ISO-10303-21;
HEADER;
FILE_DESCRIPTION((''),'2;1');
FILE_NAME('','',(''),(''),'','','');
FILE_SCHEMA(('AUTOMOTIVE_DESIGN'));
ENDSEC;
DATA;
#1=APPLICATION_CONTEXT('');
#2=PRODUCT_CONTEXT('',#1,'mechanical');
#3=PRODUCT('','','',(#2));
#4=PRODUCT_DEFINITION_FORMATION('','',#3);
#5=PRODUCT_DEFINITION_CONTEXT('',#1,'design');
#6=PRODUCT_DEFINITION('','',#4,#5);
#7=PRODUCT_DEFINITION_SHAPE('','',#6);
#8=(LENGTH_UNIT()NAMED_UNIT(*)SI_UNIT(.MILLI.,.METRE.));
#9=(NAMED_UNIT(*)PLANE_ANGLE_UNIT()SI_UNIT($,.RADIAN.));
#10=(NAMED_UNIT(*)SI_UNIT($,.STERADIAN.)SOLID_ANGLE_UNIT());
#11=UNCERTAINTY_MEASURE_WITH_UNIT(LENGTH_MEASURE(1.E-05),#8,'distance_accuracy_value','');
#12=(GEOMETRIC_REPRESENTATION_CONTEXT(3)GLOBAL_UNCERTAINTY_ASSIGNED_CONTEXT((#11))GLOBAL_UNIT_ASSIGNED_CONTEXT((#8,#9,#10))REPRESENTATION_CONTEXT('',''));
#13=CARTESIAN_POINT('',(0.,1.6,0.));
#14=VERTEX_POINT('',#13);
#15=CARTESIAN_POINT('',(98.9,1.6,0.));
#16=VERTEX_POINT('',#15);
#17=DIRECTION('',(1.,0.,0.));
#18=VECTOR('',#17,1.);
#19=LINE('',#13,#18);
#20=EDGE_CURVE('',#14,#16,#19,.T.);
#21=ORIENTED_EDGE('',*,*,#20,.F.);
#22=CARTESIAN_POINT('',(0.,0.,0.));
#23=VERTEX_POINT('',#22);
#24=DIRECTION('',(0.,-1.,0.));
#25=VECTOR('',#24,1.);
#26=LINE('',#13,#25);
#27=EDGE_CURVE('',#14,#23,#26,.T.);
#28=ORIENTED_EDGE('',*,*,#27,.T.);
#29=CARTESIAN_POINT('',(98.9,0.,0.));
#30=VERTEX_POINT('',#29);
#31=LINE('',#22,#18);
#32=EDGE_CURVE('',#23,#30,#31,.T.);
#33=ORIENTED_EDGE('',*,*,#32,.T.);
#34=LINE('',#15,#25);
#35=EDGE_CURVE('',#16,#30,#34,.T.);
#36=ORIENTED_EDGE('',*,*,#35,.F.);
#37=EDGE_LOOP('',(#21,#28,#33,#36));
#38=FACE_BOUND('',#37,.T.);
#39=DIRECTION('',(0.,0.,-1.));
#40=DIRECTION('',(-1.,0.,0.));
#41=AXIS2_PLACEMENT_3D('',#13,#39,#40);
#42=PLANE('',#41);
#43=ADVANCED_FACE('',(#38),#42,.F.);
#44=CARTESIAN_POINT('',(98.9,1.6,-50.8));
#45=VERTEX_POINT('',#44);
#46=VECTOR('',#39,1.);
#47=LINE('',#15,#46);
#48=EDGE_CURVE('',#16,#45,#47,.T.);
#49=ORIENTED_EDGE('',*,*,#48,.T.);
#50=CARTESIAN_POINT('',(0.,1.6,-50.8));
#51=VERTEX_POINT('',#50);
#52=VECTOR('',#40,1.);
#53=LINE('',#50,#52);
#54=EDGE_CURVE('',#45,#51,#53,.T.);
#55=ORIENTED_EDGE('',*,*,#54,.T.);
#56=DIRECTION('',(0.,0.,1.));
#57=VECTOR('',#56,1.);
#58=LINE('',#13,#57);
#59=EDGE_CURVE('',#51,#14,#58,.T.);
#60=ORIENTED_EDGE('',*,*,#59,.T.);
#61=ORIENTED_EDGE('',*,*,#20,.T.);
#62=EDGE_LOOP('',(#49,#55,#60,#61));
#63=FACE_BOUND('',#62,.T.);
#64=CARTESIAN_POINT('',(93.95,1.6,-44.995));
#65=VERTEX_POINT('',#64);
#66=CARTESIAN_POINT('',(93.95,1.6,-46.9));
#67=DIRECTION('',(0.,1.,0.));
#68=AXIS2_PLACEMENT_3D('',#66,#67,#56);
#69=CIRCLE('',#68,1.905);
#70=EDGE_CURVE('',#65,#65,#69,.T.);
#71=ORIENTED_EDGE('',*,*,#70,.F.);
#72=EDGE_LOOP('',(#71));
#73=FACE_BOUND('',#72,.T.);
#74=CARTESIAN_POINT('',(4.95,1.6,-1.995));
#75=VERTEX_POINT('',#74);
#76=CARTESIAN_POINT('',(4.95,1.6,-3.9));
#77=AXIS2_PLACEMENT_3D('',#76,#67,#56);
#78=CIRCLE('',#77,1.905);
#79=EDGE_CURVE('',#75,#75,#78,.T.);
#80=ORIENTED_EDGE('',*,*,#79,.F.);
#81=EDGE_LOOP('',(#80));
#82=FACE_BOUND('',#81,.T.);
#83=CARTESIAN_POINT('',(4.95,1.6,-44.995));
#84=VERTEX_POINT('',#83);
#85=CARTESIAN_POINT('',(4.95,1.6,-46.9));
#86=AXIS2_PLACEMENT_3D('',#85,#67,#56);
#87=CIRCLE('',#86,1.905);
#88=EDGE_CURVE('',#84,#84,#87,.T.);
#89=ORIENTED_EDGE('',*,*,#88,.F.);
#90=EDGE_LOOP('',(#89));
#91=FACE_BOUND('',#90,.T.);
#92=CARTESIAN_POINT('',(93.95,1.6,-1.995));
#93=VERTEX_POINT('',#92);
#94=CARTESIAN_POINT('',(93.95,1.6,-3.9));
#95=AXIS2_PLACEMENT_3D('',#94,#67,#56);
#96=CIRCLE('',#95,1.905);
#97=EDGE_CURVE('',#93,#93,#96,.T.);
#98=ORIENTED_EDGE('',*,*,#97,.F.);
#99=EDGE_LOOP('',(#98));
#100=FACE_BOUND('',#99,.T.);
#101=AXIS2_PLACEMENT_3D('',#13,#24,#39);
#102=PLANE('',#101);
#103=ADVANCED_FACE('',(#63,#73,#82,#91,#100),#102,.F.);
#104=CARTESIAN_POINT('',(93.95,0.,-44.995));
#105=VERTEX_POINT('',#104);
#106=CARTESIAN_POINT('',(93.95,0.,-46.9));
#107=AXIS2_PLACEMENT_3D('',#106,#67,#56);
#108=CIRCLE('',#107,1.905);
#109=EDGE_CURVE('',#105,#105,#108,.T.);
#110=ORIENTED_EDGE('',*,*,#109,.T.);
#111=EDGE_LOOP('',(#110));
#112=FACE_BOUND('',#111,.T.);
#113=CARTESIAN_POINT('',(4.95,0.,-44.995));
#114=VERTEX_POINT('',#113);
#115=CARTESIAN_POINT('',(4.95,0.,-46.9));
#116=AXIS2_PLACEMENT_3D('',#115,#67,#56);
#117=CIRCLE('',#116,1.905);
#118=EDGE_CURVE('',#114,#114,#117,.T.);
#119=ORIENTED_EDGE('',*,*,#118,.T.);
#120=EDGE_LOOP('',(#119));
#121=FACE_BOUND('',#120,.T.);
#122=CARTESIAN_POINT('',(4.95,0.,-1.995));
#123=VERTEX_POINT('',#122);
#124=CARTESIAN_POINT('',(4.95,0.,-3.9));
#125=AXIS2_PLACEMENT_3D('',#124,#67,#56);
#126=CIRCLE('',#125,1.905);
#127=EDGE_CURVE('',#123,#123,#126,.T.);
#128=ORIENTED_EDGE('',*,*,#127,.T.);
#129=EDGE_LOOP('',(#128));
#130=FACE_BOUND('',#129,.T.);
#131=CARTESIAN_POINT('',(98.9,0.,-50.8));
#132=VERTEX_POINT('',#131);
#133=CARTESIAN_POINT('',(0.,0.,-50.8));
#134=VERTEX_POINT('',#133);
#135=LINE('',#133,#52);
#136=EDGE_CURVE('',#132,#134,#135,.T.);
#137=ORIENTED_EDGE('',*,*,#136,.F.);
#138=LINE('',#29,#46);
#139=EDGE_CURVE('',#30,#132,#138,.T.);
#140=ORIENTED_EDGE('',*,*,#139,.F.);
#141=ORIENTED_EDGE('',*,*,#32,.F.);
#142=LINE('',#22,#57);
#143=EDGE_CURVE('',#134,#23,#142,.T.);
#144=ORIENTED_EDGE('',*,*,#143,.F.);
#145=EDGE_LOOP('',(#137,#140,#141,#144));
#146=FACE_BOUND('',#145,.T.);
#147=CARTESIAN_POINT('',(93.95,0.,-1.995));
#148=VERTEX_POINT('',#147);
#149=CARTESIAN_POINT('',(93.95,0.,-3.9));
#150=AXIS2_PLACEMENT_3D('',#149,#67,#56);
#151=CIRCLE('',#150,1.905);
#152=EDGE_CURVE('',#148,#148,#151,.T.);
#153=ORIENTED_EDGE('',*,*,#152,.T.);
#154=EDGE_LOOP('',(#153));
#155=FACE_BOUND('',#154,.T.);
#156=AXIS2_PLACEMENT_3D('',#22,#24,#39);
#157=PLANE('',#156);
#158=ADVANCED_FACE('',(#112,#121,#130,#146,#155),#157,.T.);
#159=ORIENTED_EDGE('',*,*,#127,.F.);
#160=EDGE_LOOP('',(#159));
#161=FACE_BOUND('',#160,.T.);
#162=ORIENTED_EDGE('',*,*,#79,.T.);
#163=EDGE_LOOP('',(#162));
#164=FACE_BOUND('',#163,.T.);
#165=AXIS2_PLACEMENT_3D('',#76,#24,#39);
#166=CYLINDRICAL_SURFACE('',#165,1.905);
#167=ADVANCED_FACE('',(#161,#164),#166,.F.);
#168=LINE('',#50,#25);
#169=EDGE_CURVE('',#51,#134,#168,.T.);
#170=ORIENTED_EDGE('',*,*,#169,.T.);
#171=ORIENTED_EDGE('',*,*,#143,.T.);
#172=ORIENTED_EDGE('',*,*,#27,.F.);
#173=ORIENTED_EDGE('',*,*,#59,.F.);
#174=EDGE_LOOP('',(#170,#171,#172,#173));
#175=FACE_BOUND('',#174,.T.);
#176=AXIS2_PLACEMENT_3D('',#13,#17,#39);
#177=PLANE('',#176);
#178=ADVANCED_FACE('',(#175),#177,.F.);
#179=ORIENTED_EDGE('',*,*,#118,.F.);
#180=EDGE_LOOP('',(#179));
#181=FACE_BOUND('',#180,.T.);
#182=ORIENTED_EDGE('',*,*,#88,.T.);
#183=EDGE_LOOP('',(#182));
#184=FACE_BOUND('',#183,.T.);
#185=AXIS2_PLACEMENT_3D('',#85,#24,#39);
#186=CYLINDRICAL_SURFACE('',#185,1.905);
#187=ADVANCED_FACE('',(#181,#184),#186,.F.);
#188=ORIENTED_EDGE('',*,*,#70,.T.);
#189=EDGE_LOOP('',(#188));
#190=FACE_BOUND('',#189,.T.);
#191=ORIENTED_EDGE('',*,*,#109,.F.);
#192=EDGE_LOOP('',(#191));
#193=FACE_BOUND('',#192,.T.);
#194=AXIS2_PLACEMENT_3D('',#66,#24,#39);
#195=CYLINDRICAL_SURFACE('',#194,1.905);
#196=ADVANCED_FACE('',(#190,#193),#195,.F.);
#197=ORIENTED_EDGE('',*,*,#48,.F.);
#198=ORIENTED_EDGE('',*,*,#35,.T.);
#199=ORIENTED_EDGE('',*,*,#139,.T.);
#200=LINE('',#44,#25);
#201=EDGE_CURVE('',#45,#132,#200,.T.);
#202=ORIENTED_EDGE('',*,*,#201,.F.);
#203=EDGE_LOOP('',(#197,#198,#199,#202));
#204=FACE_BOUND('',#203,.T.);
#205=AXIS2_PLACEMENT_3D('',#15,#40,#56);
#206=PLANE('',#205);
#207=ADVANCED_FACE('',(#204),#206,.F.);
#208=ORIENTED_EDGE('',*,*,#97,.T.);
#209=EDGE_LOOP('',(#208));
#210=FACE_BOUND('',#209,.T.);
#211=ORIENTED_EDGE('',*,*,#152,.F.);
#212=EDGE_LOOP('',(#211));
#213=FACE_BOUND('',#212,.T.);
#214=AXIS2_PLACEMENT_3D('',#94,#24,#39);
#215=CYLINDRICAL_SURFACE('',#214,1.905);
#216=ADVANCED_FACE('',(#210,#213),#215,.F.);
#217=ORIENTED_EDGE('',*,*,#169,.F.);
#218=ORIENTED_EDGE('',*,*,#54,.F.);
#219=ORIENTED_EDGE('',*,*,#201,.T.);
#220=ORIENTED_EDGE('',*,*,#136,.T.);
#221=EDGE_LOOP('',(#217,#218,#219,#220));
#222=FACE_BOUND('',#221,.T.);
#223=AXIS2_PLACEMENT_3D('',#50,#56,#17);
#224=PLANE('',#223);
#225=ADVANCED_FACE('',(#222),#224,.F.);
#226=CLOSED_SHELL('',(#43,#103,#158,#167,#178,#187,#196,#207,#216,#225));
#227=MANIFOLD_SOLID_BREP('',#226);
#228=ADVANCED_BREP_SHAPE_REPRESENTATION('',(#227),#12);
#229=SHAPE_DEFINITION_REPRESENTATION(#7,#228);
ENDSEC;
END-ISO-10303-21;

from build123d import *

# Parameters (mm, degrees)
SKETCH1_W           = 98.9
SKETCH1_H           = 50.8
SKETCH1_R           = 1.905
BOSS_EXTRUDE1_DEPTH = 1.6


with BuildPart() as part:
    # Sketch1 → Boss-Extrude1 (new body)
    with BuildSketch(Plane(origin=(0, 0, 0), x_dir=(1, 0, 0), z_dir=(0, 1, 0))):
        with Locations((49.45, 25.4)):
            Rectangle(SKETCH1_W, SKETCH1_H)
        with Locations((4.95, 46.9)):
            Circle(SKETCH1_R, mode=Mode.SUBTRACT)
        with Locations((93.95, 46.9)):
            Circle(SKETCH1_R, mode=Mode.SUBTRACT)
        with Locations((93.95, 3.9)):
            Circle(SKETCH1_R, mode=Mode.SUBTRACT)
        with Locations((4.95, 3.9)):
            Circle(SKETCH1_R, mode=Mode.SUBTRACT)
    extrude(amount=BOSS_EXTRUDE1_DEPTH)


solid = part.part
